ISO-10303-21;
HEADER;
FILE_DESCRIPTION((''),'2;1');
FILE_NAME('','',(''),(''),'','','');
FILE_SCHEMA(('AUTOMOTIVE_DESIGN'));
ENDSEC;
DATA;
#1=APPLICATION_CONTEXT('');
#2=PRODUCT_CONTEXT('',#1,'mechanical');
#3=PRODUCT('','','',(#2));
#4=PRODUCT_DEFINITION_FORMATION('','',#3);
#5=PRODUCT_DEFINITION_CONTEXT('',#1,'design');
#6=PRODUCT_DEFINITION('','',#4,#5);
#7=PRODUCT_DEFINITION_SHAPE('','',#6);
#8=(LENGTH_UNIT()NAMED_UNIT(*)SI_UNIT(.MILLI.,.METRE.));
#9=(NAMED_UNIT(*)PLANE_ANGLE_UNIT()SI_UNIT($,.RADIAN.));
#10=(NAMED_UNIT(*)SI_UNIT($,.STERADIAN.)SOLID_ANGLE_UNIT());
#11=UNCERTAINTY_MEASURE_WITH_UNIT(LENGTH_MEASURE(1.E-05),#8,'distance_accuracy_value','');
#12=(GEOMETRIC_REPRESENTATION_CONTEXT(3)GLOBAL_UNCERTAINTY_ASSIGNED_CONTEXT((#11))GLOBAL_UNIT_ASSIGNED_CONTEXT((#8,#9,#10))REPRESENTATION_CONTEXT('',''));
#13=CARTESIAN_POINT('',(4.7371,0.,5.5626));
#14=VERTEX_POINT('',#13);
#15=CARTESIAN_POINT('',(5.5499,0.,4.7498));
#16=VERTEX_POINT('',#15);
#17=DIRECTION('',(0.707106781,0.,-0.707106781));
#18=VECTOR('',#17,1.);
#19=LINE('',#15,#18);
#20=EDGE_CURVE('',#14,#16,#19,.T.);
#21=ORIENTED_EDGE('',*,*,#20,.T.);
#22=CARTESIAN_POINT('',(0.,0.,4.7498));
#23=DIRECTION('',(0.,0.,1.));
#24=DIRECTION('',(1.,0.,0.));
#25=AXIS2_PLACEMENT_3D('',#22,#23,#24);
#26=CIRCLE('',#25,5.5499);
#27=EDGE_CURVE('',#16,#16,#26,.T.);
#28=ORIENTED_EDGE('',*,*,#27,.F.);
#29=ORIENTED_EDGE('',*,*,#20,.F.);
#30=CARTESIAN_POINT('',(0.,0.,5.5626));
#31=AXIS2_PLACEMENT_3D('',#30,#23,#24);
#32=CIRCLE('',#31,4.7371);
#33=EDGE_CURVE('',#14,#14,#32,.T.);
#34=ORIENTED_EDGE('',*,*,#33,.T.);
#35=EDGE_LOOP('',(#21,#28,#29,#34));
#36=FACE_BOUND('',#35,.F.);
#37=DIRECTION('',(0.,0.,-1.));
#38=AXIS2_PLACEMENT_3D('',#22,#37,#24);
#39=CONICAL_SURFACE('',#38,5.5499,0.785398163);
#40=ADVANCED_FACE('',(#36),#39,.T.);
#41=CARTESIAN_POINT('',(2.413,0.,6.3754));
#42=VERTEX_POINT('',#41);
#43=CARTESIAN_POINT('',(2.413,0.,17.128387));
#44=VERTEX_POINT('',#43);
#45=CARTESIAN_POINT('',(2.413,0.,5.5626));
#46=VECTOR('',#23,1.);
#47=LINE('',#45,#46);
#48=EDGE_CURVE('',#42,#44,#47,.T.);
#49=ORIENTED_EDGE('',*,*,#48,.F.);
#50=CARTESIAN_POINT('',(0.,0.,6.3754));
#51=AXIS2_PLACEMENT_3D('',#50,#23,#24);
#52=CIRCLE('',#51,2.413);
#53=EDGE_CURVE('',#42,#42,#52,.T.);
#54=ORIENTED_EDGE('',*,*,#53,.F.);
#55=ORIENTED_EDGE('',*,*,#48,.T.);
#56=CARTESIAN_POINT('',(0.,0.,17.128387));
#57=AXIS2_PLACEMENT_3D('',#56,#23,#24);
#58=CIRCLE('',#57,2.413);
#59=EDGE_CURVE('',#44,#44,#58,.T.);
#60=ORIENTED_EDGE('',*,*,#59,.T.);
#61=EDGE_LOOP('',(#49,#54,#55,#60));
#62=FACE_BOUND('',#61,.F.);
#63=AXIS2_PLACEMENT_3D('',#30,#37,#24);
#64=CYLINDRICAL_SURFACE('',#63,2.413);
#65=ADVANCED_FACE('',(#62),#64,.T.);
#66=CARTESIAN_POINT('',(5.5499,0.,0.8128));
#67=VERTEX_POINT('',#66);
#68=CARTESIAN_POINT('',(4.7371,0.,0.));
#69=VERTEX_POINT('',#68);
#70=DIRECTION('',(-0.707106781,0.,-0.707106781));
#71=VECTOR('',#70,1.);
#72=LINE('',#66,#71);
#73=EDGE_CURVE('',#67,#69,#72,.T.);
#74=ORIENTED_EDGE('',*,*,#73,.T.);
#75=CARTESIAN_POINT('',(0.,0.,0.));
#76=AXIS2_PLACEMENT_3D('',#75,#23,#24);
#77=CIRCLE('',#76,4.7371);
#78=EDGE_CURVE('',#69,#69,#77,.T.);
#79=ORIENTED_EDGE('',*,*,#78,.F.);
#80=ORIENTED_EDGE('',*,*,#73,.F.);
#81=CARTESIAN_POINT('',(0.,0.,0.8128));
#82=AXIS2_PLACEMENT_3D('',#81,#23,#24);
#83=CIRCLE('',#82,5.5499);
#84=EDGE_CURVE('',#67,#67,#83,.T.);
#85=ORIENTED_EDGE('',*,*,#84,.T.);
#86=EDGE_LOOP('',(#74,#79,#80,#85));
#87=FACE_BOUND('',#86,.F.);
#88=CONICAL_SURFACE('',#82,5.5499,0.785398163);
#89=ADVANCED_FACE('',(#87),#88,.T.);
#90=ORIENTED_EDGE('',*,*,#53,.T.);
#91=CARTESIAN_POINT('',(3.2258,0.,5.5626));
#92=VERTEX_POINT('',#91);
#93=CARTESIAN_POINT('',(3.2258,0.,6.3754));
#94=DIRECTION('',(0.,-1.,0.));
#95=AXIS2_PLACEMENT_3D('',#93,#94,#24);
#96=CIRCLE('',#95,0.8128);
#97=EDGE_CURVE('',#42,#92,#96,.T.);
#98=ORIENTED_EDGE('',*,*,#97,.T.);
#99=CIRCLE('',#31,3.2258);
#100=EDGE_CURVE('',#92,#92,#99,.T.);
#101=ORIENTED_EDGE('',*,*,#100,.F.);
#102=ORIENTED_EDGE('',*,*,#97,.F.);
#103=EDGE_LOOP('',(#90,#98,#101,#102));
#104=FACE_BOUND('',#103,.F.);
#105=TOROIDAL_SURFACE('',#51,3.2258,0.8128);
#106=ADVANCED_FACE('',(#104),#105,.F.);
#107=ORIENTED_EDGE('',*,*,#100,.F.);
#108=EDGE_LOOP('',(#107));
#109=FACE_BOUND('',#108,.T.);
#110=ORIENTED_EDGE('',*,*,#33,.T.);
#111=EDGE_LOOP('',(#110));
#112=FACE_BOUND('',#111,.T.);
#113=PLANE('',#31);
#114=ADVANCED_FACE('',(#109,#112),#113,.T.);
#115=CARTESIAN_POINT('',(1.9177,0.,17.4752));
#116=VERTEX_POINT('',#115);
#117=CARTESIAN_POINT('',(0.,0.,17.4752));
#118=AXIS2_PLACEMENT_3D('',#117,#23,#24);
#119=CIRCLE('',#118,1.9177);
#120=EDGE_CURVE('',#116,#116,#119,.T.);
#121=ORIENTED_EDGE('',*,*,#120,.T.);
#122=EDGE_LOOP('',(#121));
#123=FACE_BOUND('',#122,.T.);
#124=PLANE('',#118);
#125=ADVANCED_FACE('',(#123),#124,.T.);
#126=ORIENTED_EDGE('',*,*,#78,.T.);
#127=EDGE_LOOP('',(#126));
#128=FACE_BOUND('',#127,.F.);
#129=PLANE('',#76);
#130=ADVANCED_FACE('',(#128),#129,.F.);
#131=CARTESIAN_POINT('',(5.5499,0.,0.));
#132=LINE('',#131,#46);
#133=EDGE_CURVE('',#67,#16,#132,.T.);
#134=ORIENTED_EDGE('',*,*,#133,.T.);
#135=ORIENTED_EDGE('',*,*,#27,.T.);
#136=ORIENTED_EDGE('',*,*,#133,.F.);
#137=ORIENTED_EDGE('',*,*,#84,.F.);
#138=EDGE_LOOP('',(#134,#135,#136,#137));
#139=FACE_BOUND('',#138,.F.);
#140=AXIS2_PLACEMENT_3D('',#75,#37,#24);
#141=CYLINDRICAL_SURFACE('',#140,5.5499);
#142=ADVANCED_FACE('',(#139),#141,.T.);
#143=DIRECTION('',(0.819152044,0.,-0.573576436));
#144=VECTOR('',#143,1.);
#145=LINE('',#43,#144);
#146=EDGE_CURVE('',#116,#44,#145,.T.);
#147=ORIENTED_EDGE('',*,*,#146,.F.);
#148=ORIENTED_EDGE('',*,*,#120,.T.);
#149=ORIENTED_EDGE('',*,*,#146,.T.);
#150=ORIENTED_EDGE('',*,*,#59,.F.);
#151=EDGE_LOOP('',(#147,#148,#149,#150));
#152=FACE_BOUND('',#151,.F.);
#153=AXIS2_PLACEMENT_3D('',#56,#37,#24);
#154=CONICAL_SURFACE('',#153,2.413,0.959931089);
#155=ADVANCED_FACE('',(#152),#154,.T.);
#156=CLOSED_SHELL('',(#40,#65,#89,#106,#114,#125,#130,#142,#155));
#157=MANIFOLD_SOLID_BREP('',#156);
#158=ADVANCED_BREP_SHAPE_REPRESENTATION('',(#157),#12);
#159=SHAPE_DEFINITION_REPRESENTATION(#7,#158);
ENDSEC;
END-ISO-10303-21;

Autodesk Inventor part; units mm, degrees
ref_plane "YZ Plane" through (0, 0, 0) normal (1, 0, 0) x (0, 1, 0)
ref_plane "XZ Plane" through (0, 0, 0) normal (0, 1, 0) x (-1, 0, 0)
ref_plane "XY Plane" through (0, 0, 0) normal (0, 0, 1) x (1, 0, 0)
sketch "Sketch2" plane through (0, 0, 0) normal (0, 0, 1) x (1, 0, 0)
  circle A0 centre (0, 0) radius 5.5499
  dimension "d3" = 11.0998
extrude "Extrusion2" add sketch "Sketch2" along normal blind 5.5626
sketch "Sketch3" plane through (0, 0, 5.5626) normal (0, 0, 1) x (1, 0, 0)
  circle A0 centre (0, 0) radius 2.413
  dimension "d6" = 4.826
extrude "Extrusion3" add sketch "Sketch3" along normal blind 11.9126
chamfer "Chamfer1" distance 0.4953 angle 35 1 edges at (-2.413, 0, 17.4752) measured on face at (0.8911, -0.3521, 17.4752)
thread "Thread1" size "10-24 UNC" class "2A" standard "ANSI Unified Screw Threads" full length
fillet "Fillet1" radius 0.8128 1 edges at (-2.413, 0, 5.5626)
chamfer "Chamfer2" distance 0.8128 angle 45 1 edges at (-5.5499, 0, 5.5626) measured on face at (4.7214, -0.4427, 5.5626)
chamfer "Chamfer3" distance 0.8128 angle 45 1 edges at (-5.5499, 0, 0) measured on face at (1.9719, 1.8895, 0)
properties part number "13_2"
